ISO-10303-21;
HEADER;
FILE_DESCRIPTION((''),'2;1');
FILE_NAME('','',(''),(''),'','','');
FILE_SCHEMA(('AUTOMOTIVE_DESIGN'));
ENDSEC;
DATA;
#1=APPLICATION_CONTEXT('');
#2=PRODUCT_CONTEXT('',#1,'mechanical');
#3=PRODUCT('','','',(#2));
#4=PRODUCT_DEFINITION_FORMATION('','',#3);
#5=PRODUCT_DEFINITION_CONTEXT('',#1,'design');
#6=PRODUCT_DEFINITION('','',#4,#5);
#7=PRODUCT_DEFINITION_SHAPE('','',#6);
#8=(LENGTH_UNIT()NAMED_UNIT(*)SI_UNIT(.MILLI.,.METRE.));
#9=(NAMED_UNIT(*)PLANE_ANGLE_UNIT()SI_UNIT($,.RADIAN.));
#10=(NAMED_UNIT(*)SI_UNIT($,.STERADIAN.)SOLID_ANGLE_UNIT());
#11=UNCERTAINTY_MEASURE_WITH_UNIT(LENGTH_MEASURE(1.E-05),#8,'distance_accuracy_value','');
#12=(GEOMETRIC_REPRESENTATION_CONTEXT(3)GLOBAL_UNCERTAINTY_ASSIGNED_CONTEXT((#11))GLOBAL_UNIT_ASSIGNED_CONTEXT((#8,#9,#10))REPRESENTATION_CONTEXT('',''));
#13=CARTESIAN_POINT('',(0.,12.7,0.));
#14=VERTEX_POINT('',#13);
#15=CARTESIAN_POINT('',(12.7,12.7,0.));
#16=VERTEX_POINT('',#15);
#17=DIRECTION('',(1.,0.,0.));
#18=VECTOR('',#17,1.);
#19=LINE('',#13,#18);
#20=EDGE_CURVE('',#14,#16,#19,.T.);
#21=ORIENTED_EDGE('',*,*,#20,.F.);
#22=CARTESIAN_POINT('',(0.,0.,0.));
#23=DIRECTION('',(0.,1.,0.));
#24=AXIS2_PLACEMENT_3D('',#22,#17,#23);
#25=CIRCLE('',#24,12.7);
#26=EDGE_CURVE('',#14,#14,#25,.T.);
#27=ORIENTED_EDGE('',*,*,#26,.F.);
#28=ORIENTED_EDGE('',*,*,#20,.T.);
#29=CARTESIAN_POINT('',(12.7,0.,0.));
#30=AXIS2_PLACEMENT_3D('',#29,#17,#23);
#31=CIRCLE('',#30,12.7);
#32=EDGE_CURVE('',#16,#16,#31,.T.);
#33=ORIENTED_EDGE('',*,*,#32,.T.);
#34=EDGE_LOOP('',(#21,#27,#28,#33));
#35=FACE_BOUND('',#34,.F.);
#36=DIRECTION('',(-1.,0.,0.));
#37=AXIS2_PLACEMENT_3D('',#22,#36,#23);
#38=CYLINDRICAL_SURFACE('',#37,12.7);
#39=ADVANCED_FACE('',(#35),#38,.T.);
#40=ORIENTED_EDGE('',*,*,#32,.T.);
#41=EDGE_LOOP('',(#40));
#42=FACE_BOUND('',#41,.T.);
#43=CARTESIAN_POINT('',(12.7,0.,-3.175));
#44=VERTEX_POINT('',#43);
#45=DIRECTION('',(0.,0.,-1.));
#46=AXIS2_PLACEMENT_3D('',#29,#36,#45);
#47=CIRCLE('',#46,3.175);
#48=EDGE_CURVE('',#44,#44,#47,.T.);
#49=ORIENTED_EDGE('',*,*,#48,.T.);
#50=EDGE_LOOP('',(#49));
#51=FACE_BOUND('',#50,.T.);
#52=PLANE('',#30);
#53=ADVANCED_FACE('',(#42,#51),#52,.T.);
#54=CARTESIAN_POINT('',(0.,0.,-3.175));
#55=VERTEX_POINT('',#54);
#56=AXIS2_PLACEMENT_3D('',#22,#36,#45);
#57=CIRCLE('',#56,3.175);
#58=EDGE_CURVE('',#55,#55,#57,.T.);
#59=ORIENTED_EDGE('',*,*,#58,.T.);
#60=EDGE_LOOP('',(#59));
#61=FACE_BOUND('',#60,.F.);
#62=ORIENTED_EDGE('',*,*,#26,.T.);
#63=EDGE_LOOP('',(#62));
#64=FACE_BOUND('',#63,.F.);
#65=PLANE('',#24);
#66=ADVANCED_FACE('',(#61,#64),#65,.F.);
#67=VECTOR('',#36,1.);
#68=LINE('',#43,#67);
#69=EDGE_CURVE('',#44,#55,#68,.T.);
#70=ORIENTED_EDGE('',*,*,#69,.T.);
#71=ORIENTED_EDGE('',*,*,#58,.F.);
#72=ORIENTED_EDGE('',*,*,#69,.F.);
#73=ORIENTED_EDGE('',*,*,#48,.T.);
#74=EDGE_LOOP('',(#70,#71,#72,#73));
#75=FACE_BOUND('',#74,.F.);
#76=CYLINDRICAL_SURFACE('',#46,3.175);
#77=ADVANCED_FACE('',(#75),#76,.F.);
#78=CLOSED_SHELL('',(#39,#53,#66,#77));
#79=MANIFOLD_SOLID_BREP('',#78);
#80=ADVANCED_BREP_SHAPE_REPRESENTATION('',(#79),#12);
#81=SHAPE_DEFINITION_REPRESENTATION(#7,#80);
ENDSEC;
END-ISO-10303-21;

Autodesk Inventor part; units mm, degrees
ref_plane "YZ Plane" through (0, 0, 0) normal (1, 0, 0) x (0, 1, 0)
ref_plane "XZ Plane" through (0, 0, 0) normal (0, 1, 0) x (-1, 0, 0)
ref_plane "XY Plane" through (0, 0, 0) normal (0, 0, 1) x (1, 0, 0)
sketch "Sketch1" plane through (0, 0, 0) normal (1, 0, 0) x (0, 1, 0)
  circle A0 centre (0, 0) radius 12.7
  dimension "d0" = 25.4
extrude "Extrusion1" add sketch "Sketch1" along normal blind 12.7
hole "Hole1" at (12.7, 0, 0) direction (-1, 0, 0) diameter 6.35 end through all
properties part number "roller"
